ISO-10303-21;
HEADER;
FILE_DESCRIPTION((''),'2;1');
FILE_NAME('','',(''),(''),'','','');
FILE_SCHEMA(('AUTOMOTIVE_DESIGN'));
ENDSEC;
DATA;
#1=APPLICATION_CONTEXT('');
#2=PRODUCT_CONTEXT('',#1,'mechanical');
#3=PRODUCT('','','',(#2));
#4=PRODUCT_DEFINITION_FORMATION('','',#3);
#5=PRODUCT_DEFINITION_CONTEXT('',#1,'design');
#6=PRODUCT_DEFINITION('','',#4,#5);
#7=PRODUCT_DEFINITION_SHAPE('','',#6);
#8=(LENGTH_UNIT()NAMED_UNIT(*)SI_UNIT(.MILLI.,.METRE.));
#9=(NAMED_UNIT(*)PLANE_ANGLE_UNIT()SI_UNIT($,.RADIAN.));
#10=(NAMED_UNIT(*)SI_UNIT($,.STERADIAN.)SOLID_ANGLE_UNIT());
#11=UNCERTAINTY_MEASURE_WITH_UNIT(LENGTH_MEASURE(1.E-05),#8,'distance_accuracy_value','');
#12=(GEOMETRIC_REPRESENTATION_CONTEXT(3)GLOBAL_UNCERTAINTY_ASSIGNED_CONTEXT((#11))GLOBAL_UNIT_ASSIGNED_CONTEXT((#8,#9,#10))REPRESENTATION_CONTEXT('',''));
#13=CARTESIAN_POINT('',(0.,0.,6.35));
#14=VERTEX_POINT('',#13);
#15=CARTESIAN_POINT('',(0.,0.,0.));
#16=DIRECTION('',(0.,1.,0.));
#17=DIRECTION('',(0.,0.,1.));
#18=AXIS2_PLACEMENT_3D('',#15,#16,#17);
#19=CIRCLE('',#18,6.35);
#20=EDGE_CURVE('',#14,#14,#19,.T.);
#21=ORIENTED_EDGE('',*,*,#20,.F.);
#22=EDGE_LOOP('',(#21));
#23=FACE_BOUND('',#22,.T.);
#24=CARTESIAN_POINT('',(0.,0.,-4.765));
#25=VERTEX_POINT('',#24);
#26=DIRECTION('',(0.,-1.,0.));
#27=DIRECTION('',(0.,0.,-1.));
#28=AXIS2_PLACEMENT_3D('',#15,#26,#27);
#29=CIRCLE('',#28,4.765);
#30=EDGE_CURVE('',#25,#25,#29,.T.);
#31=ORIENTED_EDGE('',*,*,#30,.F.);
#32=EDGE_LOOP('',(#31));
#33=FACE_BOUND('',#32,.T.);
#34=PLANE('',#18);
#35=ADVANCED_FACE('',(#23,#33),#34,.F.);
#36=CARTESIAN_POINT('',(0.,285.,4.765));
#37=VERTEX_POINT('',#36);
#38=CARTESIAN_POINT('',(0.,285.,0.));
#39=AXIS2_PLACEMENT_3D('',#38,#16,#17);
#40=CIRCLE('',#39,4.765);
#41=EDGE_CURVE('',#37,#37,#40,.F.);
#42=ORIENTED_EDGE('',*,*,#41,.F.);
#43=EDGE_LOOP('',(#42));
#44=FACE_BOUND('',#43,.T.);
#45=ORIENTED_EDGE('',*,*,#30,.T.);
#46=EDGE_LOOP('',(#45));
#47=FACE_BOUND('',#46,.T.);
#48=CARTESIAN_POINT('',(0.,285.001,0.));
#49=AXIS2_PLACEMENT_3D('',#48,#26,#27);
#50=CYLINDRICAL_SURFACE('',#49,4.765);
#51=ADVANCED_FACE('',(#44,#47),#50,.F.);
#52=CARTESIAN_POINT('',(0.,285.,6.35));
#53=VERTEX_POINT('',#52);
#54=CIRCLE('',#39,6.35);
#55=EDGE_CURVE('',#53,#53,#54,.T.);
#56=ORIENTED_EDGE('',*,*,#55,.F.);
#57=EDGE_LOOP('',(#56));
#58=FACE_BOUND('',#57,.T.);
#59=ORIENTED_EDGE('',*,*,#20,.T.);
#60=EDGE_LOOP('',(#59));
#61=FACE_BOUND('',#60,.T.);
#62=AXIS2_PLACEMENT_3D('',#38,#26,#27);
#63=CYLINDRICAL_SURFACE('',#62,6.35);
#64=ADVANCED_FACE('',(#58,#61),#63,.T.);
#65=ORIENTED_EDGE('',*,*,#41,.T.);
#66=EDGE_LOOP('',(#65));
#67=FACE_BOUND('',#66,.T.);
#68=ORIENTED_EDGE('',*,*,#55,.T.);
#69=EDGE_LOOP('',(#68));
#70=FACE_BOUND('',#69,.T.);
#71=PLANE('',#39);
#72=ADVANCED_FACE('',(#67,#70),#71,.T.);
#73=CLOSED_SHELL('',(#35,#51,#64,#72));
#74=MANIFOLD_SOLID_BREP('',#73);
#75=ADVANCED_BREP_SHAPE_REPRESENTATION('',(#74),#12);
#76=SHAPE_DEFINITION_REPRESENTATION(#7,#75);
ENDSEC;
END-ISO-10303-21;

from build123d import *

# Parameters (mm, degrees)
SKETCH1_R           = 6.35
BOSS_EXTRUDE1_DEPTH = 285
CUT_EXTRUDE1_REACH  = 287
SKETCH2_R           = 4.765


with BuildPart() as part:
    # Sketch1 → Boss-Extrude1 (new body)
    with BuildSketch(Plane(origin=(0, 0, 0), x_dir=(1, 0, 0), z_dir=(0, 1, 0))):
        Circle(SKETCH1_R)
    extrude(amount=BOSS_EXTRUDE1_DEPTH)

    # Sketch2 → Cut-Extrude1 (cut, up to next)
    with BuildSketch(Plane.XZ, mode=Mode.PRIVATE) as cut_extrude1_sk1:
        Circle(SKETCH2_R)
    cut_extrude1_tool1 = extrude(cut_extrude1_sk1.sketch, amount=-CUT_EXTRUDE1_REACH, mode=Mode.PRIVATE) & part.part
    add(cut_extrude1_tool1.solids().sort_by_distance((0, 0, 0))[0], mode=Mode.SUBTRACT)


solid = part.part
